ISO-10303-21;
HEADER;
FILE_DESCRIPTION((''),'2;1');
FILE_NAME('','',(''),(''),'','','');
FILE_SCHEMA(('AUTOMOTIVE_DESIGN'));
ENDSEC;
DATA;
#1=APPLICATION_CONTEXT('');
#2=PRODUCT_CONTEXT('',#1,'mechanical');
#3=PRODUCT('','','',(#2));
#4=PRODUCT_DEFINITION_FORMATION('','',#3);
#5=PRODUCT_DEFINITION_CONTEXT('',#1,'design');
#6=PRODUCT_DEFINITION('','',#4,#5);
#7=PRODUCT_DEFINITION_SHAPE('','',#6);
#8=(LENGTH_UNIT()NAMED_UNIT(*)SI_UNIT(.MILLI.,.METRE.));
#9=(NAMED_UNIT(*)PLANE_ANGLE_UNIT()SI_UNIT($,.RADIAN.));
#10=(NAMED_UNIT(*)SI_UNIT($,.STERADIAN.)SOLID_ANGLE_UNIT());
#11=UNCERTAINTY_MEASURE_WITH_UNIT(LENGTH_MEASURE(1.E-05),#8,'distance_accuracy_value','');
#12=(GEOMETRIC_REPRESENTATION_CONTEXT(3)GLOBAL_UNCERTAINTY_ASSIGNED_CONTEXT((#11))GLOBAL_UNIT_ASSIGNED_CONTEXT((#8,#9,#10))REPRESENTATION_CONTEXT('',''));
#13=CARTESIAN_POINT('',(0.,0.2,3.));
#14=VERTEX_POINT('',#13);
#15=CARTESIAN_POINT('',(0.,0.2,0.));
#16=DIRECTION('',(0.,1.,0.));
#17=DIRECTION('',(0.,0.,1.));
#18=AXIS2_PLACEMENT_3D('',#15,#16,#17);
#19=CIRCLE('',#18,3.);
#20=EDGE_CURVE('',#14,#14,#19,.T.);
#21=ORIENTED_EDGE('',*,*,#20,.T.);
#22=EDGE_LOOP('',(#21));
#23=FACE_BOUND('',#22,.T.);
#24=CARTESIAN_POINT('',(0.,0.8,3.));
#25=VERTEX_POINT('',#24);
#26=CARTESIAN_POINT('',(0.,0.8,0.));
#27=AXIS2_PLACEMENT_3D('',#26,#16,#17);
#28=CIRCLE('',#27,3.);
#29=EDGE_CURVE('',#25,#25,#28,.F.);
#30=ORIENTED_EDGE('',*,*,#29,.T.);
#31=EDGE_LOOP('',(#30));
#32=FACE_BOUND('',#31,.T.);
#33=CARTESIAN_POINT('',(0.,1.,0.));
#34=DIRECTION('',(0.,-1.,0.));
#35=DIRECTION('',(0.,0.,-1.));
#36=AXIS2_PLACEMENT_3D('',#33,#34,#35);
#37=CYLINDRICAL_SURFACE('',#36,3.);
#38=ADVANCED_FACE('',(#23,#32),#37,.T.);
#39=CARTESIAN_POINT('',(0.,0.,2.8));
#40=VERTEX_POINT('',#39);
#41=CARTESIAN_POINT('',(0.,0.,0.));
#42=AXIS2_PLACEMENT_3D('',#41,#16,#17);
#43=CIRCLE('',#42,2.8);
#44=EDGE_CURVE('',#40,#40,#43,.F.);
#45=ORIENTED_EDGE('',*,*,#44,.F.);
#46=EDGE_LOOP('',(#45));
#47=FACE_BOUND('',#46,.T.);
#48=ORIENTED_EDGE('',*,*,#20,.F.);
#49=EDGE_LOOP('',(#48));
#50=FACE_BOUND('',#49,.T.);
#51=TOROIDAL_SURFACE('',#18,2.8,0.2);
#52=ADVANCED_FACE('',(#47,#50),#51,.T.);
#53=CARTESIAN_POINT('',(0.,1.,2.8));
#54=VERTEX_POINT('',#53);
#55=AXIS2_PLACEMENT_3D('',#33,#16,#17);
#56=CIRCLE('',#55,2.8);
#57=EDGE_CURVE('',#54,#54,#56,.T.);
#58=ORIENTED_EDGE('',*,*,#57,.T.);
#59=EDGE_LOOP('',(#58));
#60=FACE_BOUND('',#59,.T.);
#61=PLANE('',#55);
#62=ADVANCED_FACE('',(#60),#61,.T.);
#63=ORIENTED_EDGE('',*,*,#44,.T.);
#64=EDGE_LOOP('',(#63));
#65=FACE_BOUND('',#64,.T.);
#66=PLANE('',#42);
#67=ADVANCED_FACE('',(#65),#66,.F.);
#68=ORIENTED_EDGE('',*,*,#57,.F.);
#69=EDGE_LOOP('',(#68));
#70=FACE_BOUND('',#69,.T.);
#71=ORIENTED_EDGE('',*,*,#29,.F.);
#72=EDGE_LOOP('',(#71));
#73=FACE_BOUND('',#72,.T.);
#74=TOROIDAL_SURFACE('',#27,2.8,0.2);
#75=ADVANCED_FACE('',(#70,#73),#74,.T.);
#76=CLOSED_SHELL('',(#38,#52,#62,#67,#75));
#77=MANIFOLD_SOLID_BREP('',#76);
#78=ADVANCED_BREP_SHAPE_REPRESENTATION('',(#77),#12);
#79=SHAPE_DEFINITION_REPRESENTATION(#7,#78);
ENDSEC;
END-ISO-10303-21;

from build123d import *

# Parameters (mm, degrees)
SKETCH_1_R      = 3
EXTRUDE_1_DEPTH = 1
FILLET_1_R      = 0.2


with BuildPart() as part:
    # Эскиз1 → Бобышка-Вытянуть1 (new body)
    with BuildSketch(Plane(origin=(0, 0, 0), x_dir=(1, 0, 0), z_dir=(0, 1, 0))):
        with Locations(Location((0, 0, 0), (0, 0, 270))):
            Circle(SKETCH_1_R)
    extrude(amount=EXTRUDE_1_DEPTH)

    # Скругление1
    fillet_1_edges = [part.edges().sort_by_distance(p)[0] for p in [
        (0, 0, -3),
        (0, 1, -3),
    ]]
    fillet(fillet_1_edges, radius=FILLET_1_R)


solid = part.part
